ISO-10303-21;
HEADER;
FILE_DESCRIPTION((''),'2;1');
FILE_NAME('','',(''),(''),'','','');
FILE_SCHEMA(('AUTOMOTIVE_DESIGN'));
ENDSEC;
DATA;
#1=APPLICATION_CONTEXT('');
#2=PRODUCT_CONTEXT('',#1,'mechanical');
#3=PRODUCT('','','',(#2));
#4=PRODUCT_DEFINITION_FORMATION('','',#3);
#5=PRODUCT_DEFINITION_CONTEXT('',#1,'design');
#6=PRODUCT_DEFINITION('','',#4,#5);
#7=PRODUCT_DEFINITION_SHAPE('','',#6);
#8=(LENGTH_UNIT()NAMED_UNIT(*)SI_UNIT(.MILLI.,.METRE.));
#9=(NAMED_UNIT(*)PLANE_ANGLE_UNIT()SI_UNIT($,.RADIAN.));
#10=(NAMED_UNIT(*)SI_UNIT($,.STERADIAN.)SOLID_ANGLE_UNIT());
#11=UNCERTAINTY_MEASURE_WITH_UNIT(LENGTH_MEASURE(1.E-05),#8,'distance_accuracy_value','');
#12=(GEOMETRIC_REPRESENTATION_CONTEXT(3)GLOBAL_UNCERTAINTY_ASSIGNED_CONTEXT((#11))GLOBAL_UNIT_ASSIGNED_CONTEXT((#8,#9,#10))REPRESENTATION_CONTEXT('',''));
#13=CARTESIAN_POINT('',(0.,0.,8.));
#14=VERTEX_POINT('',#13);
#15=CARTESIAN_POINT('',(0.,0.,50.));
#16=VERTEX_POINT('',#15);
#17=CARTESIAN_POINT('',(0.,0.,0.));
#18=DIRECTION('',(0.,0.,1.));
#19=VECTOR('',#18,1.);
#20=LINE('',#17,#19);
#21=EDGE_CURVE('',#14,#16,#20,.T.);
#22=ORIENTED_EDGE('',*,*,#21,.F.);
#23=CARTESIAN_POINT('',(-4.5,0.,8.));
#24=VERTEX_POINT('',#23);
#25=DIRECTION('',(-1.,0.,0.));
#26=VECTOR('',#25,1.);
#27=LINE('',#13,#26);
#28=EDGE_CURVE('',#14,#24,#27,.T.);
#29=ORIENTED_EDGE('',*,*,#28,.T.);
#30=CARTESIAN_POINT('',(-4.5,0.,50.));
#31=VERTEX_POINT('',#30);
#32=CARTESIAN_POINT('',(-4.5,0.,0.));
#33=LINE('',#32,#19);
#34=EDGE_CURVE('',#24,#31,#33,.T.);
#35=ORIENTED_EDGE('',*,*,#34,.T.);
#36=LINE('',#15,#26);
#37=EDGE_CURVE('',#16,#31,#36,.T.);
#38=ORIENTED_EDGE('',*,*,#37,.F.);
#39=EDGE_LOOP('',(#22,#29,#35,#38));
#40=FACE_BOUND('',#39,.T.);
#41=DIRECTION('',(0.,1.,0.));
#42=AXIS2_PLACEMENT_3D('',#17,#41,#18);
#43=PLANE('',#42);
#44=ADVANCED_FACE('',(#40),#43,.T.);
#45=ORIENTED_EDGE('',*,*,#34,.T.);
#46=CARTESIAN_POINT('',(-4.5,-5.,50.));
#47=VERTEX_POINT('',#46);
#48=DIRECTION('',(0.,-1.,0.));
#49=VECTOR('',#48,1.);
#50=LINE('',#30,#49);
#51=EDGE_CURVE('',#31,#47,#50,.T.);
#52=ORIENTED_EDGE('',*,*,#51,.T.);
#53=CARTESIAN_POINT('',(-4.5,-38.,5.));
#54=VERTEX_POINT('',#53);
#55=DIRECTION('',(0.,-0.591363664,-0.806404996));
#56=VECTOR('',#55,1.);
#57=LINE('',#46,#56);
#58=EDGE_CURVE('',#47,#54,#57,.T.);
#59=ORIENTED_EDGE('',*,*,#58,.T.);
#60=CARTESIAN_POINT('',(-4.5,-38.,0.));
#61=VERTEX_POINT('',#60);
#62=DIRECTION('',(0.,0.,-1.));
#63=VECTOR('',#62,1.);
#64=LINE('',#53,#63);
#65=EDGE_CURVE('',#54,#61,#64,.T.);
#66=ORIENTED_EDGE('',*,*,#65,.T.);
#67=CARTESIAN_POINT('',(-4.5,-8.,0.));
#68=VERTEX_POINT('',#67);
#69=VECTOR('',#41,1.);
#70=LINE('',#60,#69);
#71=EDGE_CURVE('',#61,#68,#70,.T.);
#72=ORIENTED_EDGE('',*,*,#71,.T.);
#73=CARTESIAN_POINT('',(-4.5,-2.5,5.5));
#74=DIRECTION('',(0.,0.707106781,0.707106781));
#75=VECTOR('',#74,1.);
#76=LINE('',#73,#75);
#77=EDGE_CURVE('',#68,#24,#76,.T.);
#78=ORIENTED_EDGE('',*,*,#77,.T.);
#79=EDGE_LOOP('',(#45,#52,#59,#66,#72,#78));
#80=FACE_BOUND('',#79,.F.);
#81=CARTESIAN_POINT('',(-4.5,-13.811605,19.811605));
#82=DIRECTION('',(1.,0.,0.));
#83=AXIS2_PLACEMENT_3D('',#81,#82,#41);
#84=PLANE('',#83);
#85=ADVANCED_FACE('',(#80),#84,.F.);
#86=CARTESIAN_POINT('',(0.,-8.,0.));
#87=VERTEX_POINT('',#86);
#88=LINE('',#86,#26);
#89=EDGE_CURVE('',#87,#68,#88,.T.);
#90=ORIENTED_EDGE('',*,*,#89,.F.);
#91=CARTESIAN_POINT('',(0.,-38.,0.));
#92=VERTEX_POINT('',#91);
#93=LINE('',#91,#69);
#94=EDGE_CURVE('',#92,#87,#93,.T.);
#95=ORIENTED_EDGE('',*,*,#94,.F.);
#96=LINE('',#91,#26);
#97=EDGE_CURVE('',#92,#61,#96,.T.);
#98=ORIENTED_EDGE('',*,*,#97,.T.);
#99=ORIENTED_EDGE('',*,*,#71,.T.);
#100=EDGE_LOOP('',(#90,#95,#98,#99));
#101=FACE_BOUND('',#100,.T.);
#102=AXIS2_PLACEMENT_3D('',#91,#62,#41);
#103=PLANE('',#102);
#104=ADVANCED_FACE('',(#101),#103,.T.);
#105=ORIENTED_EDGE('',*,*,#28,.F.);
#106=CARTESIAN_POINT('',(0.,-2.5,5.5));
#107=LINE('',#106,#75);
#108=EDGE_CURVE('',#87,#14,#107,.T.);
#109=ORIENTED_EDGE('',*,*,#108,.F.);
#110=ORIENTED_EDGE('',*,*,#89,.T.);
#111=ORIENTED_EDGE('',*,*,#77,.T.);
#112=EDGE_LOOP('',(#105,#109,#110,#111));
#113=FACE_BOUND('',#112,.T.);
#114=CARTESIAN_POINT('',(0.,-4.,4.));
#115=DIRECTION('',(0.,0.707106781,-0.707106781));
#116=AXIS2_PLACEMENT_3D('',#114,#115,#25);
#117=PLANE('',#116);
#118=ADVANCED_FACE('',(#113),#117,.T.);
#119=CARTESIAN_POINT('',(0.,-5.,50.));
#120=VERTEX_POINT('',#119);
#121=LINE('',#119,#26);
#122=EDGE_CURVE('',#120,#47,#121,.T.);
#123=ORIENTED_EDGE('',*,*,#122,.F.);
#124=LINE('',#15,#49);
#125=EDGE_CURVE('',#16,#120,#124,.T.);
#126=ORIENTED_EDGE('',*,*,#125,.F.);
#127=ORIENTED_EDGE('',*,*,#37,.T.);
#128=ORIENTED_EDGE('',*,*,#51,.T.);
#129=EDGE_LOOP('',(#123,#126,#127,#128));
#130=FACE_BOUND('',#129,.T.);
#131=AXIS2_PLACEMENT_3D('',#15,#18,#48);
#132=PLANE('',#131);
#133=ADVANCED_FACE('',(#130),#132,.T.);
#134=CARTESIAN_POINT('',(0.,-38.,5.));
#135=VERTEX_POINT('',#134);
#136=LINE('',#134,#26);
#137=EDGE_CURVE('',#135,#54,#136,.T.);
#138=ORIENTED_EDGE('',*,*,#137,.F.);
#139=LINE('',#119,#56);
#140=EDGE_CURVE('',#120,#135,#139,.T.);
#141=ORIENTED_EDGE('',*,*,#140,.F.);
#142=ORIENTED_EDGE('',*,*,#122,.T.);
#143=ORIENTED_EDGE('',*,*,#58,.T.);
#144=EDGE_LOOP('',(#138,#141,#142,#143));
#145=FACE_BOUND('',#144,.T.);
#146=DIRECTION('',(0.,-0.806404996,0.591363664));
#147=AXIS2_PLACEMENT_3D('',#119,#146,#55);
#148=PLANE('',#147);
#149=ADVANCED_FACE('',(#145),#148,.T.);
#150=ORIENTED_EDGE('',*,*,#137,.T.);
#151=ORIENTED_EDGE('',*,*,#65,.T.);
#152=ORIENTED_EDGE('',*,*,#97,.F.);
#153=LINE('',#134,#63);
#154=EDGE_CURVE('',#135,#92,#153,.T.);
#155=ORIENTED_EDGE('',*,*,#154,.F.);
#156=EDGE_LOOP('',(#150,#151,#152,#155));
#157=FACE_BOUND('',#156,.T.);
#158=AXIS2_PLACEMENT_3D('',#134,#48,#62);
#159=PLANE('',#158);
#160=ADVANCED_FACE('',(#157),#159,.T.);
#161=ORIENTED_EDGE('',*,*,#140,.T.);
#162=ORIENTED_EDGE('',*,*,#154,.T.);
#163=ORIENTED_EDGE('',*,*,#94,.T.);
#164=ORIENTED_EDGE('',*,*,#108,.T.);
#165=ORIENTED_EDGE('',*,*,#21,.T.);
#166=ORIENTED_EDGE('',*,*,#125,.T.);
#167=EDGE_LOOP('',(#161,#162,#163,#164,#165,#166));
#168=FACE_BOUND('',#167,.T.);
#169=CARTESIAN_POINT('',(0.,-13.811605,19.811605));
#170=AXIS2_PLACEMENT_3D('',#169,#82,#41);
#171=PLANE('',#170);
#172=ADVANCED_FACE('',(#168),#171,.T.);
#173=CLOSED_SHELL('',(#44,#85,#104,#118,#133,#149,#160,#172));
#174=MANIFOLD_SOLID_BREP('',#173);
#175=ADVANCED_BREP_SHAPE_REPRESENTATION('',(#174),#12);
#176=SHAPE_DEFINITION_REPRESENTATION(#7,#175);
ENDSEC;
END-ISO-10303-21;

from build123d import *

# Parameters (mm, degrees)
F1_DEPTH = 4.5
F2_SIZE  = 8


with BuildPart() as f1:
    # F0 (on Right) → F1 (new body)
    with BuildSketch(Plane.YZ):
        Polygon((-38, 0), (0, 0), (0, 50), (-5, 50), (-38, 5), align=None)
    extrude(amount=-F1_DEPTH)

    # F2
    f2_edges = [f1.edges().sort_by_distance(p)[0] for p in [
        (-2.25, 0, 0),
    ]]
    chamfer(f2_edges, length=F2_SIZE)


solid = f1.part
